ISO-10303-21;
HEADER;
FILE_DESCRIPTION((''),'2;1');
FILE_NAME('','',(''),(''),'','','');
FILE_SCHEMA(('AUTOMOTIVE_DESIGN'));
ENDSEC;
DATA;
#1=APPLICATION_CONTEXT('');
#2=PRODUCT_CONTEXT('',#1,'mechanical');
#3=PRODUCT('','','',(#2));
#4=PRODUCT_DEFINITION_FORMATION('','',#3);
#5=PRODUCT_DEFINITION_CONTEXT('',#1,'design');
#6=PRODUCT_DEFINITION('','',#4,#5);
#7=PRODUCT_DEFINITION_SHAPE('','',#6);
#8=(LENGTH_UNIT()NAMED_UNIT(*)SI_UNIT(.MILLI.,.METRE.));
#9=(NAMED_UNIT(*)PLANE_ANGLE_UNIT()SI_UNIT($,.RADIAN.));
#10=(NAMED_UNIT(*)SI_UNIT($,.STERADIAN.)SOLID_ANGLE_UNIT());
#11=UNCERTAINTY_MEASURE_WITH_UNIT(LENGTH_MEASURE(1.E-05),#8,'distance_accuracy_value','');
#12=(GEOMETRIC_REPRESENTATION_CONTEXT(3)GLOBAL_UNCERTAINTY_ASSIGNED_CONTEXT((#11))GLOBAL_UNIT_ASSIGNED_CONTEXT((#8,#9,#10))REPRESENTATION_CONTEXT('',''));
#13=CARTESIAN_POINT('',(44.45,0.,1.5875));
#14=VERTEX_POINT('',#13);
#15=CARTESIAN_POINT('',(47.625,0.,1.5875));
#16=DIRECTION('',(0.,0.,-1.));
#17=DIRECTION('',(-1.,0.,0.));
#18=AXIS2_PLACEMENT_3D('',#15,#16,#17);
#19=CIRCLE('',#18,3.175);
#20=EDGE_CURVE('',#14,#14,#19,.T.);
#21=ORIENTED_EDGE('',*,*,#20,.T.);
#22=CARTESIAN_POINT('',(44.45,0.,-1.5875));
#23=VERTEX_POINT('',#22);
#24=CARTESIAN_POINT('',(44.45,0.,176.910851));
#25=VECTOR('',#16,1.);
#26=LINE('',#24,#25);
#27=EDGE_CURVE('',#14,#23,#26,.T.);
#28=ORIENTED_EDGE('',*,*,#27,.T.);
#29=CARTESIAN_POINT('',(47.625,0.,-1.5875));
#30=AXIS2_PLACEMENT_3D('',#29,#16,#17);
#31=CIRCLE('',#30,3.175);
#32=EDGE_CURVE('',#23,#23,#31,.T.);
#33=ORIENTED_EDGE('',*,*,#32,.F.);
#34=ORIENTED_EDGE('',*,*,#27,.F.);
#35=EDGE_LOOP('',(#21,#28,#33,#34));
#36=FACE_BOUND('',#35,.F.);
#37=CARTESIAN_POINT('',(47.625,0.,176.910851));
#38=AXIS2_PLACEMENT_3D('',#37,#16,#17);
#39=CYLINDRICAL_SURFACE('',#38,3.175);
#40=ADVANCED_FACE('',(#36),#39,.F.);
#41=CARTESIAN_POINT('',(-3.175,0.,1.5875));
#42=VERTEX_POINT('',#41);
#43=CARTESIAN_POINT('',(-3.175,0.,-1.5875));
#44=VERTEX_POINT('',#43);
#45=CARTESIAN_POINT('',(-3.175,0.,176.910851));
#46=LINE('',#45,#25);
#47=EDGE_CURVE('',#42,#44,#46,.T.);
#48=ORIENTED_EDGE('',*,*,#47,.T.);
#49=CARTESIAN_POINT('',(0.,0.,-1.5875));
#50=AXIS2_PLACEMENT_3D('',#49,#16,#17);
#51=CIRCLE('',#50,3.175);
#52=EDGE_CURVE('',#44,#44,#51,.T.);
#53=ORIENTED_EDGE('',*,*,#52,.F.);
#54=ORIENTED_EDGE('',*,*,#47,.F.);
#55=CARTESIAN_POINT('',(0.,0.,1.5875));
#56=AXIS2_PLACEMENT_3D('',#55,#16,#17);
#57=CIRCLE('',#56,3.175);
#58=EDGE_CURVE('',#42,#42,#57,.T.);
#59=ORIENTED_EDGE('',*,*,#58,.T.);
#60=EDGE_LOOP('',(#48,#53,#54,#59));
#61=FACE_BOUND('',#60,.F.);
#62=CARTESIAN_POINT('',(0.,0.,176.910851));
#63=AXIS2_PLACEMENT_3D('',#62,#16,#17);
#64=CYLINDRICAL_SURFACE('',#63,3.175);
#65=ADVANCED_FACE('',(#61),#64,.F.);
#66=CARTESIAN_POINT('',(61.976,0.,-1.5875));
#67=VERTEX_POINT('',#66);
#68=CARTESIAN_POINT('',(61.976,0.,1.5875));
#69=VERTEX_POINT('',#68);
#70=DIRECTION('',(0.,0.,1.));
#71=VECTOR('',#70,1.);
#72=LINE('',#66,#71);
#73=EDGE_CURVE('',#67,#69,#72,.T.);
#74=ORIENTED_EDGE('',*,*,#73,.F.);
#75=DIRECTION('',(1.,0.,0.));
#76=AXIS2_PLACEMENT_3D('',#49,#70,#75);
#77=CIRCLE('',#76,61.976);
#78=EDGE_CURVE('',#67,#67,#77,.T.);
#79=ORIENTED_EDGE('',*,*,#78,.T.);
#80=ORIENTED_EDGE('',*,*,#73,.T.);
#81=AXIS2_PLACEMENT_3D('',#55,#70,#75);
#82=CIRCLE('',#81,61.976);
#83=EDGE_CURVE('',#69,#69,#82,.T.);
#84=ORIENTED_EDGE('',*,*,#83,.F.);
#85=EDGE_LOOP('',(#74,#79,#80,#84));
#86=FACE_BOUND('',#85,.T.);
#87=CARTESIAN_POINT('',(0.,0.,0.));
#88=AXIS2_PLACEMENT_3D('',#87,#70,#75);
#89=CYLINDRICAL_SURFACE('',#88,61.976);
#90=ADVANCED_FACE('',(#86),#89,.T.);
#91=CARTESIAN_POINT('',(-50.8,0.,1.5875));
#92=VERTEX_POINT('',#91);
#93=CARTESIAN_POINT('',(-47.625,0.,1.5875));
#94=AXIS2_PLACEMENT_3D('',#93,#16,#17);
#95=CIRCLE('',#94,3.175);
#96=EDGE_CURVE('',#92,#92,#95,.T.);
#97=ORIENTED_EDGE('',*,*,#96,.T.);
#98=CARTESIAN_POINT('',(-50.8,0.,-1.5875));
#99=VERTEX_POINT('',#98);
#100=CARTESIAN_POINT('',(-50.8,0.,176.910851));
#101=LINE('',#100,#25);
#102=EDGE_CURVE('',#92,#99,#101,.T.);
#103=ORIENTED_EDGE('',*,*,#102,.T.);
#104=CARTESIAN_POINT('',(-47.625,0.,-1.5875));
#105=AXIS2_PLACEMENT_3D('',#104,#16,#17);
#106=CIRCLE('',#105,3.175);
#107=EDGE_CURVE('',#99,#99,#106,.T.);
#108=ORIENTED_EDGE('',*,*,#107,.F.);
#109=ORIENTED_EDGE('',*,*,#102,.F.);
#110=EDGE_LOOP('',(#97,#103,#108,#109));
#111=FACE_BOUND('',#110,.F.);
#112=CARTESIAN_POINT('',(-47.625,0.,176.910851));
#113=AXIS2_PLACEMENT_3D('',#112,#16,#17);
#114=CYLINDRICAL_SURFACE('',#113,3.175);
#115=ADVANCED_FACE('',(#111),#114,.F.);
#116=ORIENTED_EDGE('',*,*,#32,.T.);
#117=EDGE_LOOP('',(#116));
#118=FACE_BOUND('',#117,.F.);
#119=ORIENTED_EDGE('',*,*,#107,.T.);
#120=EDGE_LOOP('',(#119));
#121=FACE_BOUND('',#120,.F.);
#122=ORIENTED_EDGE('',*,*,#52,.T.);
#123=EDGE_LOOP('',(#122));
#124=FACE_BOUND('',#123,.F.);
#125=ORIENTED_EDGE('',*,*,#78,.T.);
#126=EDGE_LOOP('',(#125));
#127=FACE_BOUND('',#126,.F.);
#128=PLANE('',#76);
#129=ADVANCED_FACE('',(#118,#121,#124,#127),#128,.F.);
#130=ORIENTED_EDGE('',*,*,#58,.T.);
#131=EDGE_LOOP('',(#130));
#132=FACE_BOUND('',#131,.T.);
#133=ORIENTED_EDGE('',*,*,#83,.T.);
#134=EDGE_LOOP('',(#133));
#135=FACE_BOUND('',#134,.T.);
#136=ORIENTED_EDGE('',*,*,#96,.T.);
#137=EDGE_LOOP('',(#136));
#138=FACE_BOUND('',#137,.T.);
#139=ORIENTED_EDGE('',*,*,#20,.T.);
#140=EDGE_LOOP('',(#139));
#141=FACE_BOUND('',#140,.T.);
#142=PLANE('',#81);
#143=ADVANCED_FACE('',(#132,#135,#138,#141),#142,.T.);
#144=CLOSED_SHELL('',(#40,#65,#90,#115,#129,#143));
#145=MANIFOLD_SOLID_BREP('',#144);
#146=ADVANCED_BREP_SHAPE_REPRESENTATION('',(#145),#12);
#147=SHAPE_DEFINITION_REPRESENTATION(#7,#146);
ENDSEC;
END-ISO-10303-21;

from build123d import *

# Parameters (mm, degrees)
SKETCH1_R                   = 61.976
BOSS_EXTRUDE1_DEPTH         = 1.5875
F_1_4_0_25_DIAMETER_HOLE1_D = 6.35


with BuildPart() as part:
    # Sketch1 → Boss-Extrude1 (new body, symmetric)
    with BuildSketch(Plane.XY):
        Circle(SKETCH1_R)
    extrude(amount=BOSS_EXTRUDE1_DEPTH, both=True)

    # 1/4 (0.25) Diameter Hole1 (through all)
    with Locations(Plane.XY.offset(1.5875)):
        with Locations((-47.625, 0), (0, 0), (47.625, 0)):
            Hole(F_1_4_0_25_DIAMETER_HOLE1_D / 2)


solid = part.part
